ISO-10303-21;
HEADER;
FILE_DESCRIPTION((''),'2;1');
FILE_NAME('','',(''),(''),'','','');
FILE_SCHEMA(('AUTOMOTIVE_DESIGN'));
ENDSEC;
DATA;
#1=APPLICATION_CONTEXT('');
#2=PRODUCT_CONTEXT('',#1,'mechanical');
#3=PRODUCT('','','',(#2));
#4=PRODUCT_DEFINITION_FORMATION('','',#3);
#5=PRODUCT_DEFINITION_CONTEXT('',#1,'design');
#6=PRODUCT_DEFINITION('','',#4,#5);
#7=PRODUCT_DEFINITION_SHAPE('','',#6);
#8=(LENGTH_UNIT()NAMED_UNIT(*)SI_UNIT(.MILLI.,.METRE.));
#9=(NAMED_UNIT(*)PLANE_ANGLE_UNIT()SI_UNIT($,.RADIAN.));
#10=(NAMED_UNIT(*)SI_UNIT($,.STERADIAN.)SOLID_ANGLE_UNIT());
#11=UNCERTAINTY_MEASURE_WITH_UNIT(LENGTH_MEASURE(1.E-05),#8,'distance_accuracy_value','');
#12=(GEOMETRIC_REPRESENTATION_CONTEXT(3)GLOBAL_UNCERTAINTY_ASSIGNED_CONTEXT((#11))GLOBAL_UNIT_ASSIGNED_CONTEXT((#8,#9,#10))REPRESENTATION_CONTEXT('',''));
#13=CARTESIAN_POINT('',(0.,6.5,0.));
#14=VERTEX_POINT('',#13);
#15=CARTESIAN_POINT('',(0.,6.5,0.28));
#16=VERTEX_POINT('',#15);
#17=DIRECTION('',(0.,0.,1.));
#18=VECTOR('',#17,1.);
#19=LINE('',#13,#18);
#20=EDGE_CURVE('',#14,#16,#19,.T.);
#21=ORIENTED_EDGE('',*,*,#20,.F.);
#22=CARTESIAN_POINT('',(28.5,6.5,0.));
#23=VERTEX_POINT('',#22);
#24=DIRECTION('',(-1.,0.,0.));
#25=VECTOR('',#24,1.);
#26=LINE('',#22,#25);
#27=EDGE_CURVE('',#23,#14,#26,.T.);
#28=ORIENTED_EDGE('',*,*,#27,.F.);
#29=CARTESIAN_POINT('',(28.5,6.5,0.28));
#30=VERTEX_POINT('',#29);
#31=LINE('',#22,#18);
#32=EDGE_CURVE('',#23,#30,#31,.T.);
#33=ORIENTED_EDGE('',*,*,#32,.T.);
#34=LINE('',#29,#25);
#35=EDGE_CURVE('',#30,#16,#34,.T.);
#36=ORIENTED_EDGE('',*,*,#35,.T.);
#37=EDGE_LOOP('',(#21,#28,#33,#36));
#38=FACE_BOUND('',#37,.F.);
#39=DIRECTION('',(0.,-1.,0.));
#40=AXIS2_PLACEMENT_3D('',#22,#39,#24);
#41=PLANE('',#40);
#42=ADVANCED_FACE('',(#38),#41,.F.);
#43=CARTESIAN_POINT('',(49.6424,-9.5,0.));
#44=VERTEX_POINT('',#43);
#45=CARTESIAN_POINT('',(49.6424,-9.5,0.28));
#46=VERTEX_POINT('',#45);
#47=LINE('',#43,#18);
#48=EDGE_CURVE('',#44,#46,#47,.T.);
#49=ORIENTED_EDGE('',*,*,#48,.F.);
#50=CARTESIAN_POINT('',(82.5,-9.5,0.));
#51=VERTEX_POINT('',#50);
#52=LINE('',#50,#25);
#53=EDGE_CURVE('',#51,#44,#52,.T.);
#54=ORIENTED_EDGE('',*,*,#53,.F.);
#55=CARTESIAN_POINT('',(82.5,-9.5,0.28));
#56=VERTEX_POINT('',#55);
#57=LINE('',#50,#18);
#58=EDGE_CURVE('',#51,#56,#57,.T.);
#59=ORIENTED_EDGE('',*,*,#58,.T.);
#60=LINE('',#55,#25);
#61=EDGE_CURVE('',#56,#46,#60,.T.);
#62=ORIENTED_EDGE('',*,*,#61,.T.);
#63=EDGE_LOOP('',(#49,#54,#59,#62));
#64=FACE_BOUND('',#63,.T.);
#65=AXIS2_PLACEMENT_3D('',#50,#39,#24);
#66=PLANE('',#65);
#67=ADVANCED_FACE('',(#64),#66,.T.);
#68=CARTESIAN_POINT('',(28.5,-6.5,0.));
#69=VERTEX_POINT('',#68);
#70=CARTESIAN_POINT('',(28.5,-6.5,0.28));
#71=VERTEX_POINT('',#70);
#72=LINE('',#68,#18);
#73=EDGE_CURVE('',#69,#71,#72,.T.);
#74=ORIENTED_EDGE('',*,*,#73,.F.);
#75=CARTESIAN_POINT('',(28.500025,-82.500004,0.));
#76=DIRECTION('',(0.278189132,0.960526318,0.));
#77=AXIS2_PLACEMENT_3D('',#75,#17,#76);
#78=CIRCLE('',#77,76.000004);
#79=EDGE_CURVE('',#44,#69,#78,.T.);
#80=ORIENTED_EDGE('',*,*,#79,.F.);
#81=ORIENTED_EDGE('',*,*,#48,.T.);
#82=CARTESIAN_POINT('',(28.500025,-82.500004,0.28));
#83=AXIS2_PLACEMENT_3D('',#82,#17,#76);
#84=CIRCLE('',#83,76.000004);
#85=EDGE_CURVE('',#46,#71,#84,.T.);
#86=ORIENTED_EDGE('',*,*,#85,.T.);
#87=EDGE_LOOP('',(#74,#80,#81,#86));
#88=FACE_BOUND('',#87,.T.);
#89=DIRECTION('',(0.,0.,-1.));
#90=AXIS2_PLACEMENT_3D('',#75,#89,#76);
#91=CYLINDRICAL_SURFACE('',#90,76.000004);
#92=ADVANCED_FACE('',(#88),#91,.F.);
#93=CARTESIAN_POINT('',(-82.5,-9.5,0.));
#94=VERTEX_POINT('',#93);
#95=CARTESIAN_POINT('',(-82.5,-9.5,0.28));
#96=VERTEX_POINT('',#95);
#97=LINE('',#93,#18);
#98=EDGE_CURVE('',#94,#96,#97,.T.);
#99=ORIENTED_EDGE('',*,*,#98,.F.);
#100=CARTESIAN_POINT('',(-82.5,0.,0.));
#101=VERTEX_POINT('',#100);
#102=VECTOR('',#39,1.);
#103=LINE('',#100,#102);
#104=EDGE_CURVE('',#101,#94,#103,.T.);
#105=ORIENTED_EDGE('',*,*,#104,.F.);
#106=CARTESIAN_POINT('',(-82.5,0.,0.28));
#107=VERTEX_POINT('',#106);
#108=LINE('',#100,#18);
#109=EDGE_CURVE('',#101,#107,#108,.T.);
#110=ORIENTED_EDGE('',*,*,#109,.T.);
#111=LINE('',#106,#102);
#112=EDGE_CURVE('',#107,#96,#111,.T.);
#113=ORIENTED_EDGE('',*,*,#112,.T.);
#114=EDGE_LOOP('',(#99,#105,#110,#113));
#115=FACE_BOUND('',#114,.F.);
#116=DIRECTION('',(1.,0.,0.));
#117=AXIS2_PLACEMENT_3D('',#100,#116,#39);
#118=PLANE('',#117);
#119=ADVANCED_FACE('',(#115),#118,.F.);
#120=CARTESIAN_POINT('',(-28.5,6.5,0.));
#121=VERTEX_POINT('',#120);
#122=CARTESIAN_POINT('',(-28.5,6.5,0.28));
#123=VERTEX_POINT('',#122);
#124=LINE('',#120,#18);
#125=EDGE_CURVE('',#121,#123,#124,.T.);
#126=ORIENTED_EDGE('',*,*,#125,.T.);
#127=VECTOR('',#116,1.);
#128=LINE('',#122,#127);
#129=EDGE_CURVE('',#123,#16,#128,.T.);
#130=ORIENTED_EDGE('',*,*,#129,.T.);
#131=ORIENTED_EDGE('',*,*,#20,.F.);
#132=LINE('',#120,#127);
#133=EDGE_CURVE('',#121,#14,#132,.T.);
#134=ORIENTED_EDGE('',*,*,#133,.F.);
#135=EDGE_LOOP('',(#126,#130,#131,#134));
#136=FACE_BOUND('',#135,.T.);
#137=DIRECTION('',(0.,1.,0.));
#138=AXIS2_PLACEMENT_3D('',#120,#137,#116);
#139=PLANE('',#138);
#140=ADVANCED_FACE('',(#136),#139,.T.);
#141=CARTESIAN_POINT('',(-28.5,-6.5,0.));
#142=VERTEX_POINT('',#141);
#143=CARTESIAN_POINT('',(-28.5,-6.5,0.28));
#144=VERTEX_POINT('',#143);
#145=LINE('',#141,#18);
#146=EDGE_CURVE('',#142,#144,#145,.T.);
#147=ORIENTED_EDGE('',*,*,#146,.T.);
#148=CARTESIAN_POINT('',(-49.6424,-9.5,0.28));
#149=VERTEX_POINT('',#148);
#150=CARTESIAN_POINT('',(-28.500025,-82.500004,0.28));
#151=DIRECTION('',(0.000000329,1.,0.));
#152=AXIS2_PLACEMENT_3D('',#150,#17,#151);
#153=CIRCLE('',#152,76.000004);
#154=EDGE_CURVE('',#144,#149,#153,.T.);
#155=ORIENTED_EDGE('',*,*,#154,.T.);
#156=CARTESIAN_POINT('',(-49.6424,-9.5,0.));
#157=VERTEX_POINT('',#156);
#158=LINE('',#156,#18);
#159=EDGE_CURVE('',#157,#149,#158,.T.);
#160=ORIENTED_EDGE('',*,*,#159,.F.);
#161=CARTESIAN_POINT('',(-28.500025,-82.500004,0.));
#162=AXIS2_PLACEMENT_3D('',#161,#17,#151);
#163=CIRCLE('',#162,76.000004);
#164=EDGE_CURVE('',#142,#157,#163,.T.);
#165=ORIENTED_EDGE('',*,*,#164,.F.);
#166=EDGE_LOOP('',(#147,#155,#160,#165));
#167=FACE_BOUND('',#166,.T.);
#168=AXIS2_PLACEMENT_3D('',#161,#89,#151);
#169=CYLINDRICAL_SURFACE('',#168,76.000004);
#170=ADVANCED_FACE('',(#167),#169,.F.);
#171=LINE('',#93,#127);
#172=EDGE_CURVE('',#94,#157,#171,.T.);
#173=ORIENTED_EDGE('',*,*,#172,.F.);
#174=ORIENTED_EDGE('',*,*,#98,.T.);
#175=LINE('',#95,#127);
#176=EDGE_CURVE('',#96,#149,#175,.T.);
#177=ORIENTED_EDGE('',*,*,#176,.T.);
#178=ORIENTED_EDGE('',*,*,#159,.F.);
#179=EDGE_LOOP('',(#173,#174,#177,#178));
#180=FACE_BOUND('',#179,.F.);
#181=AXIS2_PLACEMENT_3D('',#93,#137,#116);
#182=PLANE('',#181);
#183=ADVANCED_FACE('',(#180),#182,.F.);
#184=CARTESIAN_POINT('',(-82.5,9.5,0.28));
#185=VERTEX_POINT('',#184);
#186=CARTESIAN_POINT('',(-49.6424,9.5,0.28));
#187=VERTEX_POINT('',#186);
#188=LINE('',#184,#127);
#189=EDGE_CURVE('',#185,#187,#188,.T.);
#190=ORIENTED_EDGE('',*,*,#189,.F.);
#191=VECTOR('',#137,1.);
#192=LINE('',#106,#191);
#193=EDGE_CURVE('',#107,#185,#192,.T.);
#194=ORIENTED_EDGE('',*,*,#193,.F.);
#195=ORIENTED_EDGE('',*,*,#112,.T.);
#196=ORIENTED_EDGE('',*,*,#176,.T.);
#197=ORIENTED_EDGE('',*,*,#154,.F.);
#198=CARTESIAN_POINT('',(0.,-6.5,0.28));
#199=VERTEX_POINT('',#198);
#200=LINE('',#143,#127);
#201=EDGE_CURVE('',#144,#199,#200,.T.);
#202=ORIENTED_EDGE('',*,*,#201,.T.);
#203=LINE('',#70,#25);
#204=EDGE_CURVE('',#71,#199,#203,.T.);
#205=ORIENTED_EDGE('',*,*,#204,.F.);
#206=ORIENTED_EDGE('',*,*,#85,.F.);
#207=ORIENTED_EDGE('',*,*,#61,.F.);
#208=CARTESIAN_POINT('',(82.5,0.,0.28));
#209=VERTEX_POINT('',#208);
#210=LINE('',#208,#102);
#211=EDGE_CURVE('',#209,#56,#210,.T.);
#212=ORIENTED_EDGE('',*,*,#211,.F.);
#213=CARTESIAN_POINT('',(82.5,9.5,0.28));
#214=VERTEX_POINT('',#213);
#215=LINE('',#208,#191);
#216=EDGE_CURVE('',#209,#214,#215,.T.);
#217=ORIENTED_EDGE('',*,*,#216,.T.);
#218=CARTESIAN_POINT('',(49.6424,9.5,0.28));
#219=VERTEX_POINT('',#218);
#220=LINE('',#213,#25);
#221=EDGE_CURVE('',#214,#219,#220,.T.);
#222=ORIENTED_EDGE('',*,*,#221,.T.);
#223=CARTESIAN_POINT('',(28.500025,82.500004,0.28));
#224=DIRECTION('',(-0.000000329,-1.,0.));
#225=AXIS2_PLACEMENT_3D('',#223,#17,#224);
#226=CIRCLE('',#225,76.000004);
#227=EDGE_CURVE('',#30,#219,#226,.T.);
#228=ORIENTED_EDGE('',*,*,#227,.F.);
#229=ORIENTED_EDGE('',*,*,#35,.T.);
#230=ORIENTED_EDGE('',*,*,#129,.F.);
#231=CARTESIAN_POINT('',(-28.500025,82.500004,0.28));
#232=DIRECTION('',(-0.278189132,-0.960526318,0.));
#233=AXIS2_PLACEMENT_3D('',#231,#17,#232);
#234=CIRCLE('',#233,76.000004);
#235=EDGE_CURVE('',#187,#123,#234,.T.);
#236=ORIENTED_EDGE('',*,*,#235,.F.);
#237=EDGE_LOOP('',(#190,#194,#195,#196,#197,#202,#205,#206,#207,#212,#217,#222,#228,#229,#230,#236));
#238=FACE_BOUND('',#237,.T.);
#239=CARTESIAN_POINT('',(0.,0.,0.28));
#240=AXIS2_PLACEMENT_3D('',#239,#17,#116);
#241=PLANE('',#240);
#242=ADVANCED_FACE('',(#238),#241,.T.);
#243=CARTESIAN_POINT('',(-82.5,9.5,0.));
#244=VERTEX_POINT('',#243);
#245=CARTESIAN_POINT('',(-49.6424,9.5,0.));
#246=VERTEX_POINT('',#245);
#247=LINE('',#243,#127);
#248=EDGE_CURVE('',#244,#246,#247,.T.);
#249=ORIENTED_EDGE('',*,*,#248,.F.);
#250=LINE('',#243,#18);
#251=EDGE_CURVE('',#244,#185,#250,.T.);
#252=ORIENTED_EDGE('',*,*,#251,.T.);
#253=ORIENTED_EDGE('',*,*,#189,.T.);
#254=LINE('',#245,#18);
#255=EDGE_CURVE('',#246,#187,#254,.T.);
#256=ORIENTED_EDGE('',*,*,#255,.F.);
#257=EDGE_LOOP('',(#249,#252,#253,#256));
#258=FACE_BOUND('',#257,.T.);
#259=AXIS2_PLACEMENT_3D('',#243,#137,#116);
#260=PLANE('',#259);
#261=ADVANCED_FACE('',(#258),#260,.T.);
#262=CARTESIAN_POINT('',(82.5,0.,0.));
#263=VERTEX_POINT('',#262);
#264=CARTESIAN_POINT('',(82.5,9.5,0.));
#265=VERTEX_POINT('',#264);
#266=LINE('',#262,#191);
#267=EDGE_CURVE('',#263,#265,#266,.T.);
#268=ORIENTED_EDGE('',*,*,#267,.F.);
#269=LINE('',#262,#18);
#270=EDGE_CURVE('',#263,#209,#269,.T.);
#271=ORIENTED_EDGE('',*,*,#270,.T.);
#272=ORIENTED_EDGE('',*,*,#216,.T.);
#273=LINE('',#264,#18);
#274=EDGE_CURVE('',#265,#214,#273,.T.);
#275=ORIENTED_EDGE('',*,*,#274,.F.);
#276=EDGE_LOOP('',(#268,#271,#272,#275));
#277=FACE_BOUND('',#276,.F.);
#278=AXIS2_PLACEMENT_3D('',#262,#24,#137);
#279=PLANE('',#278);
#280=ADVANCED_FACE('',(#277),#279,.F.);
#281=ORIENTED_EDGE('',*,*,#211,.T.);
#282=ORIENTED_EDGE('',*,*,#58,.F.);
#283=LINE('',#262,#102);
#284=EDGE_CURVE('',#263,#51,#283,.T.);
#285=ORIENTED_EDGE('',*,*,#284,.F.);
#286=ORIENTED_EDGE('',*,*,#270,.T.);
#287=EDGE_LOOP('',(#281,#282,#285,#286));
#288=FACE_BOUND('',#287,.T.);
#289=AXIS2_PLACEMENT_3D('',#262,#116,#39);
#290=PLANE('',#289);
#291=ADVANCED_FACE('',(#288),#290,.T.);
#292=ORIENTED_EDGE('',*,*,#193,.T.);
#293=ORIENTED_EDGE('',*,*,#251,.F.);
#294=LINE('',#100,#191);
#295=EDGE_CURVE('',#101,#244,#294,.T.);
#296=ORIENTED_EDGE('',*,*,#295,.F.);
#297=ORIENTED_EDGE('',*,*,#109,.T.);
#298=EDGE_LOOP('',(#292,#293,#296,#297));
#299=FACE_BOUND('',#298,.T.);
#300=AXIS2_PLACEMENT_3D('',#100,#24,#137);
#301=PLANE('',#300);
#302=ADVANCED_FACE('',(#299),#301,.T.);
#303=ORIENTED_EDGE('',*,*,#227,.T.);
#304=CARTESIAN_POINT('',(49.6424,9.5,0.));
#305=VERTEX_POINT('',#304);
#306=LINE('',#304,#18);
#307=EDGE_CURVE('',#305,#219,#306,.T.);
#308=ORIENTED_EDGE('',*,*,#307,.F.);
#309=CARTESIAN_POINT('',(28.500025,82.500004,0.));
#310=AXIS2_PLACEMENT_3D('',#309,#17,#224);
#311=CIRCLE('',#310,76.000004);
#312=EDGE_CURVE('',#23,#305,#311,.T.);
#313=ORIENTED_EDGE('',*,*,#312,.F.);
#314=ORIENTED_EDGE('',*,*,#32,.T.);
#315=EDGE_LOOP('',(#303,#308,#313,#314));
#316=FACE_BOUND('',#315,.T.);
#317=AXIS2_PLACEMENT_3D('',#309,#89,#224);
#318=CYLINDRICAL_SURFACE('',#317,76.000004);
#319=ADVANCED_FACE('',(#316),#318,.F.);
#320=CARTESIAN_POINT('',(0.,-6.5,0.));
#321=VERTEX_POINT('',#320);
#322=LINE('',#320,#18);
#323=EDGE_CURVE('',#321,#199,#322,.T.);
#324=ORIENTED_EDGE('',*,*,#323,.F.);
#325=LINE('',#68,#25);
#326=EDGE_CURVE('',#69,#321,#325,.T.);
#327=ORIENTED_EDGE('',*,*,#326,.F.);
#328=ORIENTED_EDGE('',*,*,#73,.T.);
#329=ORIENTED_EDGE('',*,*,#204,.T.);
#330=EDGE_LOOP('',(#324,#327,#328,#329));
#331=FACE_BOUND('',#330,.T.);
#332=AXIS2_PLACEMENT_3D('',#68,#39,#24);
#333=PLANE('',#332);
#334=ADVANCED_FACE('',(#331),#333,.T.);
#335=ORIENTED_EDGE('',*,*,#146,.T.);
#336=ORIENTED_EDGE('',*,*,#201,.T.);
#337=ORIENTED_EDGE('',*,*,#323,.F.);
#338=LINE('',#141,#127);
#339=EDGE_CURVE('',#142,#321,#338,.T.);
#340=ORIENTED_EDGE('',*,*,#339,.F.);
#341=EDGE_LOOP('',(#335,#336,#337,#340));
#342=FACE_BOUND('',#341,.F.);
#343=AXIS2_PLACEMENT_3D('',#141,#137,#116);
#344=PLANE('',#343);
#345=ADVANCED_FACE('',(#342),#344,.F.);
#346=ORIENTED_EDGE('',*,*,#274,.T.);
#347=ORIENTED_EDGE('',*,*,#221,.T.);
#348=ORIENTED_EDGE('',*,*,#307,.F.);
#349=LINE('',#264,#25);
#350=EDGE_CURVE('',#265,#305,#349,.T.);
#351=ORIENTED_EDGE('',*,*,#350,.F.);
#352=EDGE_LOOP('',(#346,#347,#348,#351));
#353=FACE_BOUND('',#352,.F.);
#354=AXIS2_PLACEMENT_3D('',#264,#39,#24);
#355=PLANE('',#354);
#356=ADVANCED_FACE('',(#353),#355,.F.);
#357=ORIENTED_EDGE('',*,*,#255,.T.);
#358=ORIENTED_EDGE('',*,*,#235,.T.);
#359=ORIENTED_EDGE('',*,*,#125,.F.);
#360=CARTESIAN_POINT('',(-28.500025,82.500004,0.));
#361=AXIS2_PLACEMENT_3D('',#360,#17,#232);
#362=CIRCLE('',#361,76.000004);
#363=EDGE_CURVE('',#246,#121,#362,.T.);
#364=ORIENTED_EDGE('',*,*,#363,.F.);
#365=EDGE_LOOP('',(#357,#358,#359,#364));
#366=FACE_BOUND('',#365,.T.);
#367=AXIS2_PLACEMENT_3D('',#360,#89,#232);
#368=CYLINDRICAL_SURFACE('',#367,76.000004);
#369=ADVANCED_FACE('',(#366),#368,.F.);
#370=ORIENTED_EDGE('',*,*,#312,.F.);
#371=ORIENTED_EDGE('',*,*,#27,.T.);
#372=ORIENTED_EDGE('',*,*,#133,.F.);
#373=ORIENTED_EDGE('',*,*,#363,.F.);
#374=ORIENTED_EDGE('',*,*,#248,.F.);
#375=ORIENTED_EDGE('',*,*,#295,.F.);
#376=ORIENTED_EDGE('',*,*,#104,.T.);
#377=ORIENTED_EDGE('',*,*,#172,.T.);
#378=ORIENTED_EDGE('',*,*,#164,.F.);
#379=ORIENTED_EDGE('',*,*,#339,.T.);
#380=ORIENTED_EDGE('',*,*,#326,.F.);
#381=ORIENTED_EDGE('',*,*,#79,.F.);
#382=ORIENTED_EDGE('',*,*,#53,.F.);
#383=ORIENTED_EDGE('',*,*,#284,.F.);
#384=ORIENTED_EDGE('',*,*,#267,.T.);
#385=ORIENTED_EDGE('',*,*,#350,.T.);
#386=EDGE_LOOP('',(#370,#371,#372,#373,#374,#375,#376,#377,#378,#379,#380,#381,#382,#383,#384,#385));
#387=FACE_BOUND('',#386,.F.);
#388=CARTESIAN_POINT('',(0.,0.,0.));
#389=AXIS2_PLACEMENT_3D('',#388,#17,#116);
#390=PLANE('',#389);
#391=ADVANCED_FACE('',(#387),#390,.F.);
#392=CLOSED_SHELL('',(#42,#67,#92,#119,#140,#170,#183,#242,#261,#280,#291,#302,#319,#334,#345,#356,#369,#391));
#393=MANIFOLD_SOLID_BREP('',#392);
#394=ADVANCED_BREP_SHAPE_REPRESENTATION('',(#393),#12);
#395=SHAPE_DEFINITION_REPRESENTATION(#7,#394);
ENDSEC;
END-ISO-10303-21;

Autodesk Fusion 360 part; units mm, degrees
sketch "Esquisse1" plane through (0, 0, 0) normal (0, 0, 1) x (1, 0, 0)
  line L0 (-28.5, 6.5) -> (0, 6.5)
  line L1 (0, 6.5) -> (0, 0) construction
  line L2 (0, 0) -> (-35.4205, 0) construction
  line L3 (-82.5, 9.5) -> (-49.6424, 9.5)
  line L4 (-35.4205, 0) -> (-82.5, 0) construction
  line L5 (-82.5, 0) -> (-82.5, 9.5)
  arc A0 (-49.6424, 9.5) -> (-28.5, 6.5) centre (-28.5, 82.5) ccw
  line L6 (-28.5, -6.5) -> (0, -6.5)
  arc A1 (-28.5, -6.5) -> (-49.6424, -9.5) centre (-28.5, -82.5) ccw
  line L7 (-82.5, -9.5) -> (-49.6424, -9.5)
  line L8 (-82.5, 0) -> (-82.5, -9.5)
  arc A2 (49.6424, -9.5) -> (28.5, -6.5) centre (28.5, -82.5) ccw
  line L9 (28.5, -6.5) -> (0, -6.5)
  line L10 (82.5, -9.5) -> (49.6424, -9.5)
  line L11 (82.5, 0) -> (82.5, -9.5)
  line L12 (82.5, 0) -> (82.5, 9.5)
  line L13 (82.5, 9.5) -> (49.6424, 9.5)
  arc A3 (28.5, 6.5) -> (49.6424, 9.5) centre (28.5, 82.5) ccw
  line L14 (28.5, 6.5) -> (0, 6.5)
  dimension "d1" = 28.5
  dimension "d9" = 6.5
  dimension "d10" = 152
  dimension "d13" = 82.5
  dimension "d14" = 9.5
extrude "Extrusion1" add sketch "Esquisse1" along normal blind 0.28
equation "d1 = Ln / 2"
equation "Wn = 13 mm" comment "Width of narrow section"
equation "Ln = 57 mm" comment "Length of narrow section"
equation "Wo = 19 mm" comment "Width overall, min"
equation "Lo = 165 mm" comment "Length overall, min"
equation "Dg = 10 mm" comment "Distance between grips"
equation "Rf = 76 mm" comment "Radius of fillet"
equation "d9 = Wn / 2"
equation "d10 = Rf * 2"
equation "d13 = Lo / 2"
equation "d14 = Wo / 2"
equation "To = 0.28 mm" comment "Thickness"
equation "d16 = To"
